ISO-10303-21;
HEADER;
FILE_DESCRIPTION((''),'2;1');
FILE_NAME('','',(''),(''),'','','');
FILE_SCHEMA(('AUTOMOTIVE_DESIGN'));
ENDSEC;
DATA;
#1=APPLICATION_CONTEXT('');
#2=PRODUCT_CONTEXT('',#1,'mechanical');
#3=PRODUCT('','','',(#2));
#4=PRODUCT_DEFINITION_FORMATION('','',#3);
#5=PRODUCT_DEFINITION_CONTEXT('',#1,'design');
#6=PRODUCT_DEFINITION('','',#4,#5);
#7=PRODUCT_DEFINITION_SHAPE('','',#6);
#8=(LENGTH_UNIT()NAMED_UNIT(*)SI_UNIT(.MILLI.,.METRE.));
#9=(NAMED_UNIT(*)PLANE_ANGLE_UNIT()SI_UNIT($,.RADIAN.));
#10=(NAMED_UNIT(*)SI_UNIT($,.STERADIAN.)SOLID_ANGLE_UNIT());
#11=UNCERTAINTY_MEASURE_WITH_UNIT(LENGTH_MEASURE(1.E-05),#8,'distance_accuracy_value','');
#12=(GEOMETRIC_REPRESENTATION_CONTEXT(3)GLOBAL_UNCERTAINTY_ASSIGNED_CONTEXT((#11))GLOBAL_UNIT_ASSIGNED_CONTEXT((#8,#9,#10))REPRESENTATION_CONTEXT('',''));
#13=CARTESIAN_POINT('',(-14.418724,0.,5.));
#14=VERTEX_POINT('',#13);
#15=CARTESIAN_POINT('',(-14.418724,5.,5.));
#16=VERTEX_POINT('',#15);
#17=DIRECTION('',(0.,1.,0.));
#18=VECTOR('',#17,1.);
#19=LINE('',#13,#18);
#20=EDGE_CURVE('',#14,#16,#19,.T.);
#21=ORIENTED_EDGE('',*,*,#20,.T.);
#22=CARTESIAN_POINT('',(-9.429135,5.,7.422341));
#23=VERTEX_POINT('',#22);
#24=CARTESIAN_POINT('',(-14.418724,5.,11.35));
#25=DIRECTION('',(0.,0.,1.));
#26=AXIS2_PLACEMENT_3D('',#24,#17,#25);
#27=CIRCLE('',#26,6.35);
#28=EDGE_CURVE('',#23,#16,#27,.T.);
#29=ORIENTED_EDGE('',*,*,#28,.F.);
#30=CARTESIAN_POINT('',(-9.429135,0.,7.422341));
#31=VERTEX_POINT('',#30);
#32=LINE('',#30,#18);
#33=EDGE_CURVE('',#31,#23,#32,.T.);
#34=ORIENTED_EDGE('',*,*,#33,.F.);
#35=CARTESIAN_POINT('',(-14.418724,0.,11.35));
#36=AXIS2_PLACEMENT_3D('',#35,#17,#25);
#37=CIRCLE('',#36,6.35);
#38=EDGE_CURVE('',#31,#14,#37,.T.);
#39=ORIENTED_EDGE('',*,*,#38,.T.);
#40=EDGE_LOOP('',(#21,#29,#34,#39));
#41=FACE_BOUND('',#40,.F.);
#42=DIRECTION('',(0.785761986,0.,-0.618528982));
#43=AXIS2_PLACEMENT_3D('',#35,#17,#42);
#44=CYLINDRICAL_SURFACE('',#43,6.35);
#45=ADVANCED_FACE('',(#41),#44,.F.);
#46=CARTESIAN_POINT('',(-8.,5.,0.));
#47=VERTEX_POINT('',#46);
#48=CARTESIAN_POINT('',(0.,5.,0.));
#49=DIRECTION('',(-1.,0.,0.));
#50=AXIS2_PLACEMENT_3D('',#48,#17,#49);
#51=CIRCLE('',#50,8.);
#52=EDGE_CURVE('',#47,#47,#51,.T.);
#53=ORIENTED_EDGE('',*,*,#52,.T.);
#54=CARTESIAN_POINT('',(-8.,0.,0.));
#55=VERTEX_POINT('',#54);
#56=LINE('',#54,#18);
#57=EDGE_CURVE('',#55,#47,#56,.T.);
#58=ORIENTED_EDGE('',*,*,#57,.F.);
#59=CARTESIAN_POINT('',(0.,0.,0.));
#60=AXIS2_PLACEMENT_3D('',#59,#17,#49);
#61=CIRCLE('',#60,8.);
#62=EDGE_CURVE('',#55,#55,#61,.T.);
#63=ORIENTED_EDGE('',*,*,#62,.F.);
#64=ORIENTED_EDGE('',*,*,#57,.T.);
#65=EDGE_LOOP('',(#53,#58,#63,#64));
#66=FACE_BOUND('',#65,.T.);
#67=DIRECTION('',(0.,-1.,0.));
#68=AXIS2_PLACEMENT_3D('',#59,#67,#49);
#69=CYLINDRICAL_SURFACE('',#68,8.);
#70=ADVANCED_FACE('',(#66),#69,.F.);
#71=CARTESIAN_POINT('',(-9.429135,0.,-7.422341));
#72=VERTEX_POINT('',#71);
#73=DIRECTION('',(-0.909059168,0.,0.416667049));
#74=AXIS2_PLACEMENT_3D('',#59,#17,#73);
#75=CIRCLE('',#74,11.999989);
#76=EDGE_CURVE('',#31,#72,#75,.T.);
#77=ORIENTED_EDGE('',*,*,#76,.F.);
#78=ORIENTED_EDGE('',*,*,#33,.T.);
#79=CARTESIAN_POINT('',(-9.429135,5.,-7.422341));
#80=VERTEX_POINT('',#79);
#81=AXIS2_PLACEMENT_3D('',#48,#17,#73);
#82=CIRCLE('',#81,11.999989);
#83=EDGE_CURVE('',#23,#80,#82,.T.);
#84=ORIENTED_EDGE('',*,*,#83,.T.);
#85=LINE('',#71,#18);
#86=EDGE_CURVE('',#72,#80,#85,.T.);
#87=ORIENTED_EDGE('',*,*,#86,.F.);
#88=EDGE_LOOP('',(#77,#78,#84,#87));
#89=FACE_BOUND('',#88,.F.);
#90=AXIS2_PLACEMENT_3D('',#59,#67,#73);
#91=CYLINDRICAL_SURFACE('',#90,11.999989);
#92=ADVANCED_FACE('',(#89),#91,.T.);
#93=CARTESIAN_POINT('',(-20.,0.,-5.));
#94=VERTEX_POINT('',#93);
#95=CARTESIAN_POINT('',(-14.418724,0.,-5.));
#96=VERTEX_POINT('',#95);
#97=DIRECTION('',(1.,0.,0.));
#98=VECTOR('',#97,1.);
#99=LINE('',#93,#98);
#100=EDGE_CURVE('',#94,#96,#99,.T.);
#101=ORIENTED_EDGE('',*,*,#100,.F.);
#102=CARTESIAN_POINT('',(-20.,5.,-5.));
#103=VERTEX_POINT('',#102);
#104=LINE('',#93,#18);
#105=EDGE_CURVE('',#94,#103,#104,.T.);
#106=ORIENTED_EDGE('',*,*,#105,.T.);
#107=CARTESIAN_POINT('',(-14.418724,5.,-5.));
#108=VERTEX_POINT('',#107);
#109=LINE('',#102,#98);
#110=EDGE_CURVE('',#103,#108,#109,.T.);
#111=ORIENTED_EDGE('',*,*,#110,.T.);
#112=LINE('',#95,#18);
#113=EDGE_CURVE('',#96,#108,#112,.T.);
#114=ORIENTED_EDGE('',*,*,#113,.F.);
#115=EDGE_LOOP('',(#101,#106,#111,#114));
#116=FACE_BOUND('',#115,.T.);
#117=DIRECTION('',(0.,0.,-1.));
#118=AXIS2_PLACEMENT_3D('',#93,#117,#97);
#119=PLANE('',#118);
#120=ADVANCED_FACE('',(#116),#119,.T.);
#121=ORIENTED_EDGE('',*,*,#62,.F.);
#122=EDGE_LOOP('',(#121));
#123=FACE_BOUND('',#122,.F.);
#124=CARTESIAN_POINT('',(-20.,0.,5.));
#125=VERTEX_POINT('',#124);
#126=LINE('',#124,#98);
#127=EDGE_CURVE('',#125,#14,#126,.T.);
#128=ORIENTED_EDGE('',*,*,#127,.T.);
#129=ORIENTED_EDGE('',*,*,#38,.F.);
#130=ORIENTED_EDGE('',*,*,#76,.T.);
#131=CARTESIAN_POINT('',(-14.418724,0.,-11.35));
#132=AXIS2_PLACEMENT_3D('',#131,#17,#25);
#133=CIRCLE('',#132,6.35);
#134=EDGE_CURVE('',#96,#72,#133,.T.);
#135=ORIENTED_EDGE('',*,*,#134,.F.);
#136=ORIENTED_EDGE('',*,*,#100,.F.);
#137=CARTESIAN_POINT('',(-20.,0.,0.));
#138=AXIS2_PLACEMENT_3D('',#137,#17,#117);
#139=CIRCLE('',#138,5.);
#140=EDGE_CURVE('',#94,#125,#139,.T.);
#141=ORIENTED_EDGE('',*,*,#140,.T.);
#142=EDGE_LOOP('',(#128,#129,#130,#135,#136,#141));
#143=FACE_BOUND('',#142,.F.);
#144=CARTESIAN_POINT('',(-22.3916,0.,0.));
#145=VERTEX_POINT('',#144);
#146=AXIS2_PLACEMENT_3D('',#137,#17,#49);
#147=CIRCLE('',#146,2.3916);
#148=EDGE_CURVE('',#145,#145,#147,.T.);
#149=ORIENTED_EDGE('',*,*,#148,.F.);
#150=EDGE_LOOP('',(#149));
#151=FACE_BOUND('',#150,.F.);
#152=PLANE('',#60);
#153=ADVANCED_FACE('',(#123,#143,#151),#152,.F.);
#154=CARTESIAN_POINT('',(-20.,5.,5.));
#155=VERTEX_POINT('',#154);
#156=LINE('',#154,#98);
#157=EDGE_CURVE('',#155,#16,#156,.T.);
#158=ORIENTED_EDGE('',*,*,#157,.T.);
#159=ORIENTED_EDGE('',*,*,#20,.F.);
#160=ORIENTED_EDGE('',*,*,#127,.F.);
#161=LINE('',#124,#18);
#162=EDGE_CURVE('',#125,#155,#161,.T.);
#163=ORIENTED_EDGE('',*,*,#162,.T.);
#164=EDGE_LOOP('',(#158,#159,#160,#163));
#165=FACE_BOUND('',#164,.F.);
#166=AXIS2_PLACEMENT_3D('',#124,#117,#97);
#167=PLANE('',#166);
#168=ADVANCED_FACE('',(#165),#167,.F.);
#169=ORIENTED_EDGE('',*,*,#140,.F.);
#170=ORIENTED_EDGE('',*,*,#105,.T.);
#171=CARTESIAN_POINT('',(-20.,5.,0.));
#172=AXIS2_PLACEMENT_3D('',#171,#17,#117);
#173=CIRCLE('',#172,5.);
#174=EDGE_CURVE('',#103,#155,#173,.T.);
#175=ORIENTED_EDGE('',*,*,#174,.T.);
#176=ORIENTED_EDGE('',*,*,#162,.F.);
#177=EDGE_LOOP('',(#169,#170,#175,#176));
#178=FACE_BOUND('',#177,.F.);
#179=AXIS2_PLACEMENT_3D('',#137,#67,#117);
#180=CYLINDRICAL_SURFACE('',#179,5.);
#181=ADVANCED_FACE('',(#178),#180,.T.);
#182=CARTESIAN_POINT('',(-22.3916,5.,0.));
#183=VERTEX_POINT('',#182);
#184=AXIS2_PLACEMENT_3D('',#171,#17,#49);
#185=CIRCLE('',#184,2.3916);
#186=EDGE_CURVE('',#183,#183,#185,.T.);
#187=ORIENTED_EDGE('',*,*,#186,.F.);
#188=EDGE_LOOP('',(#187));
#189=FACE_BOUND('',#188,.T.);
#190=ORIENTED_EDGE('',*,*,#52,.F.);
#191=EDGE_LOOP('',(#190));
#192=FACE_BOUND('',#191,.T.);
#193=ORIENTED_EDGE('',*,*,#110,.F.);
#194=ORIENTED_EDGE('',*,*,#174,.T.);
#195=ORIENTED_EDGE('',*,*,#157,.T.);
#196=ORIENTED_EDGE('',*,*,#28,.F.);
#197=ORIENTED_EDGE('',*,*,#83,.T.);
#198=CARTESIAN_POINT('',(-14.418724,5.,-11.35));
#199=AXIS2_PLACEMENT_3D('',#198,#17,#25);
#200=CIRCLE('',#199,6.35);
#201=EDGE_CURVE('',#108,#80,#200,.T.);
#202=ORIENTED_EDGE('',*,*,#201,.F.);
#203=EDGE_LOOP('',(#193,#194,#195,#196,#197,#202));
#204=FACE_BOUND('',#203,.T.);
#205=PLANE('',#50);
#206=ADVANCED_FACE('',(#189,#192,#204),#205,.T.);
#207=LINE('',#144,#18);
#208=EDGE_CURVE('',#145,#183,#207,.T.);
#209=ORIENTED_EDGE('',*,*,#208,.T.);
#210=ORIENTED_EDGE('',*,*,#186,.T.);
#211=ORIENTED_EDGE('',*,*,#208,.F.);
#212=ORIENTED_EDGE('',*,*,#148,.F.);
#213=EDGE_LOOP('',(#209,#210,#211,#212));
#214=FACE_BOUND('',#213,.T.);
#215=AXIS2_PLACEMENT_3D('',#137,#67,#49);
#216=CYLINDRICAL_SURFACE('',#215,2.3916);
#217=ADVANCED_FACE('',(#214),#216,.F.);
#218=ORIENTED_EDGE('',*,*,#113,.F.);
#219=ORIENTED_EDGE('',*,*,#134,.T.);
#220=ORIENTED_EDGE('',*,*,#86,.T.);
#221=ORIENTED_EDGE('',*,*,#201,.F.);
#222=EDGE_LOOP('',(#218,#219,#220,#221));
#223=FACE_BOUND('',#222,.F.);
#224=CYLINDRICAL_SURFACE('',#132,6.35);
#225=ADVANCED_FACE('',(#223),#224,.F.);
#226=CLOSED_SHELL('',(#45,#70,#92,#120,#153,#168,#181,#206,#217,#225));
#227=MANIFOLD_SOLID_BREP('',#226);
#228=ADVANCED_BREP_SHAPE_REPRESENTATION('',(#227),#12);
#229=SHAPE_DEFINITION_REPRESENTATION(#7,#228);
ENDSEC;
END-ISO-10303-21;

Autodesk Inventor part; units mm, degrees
ref_plane "YZ Plane" through (0, 0, 0) normal (1, 0, 0) x (0, 1, 0)
ref_plane "XZ Plane" through (0, 0, 0) normal (0, 1, 0) x (-1, 0, 0)
ref_plane "XY Plane" through (0, 0, 0) normal (0, 0, 1) x (1, 0, 0)
sketch "Sketch1" plane through (0, 0, 0) normal (0, 1, 0) x (-1, 0, 0)
  circle A0 centre (0, 0) radius 8
  line L0 (0, 0) -> (20, 0) construction
  arc A1 (20, -5) -> (20, 5) centre (20, 0) ccw
  line L1 (20, -5) -> (10.9087, -5)
  arc A2 (10.9087, 5) -> (10.9087, -5) centre (0, 0) ccw
  line L2 (20, 5) -> (10.9087, 5)
  circle A3 centre (20, 0) radius 2.3916
  circle A4 centre (0, -2.25) radius 3.175
  point P0 (10.9087, -5)
  point P1 (10.9087, 5)
  dimension "d0" = 16
  dimension "d1" = 20
  dimension "d2" = 24
  dimension "d4" = 10
  dimension "d5" = 6.35
  dimension "d6" = 2.25
extrude "Extrusion1" add sketch "Sketch1" along normal blind 5 contours L1 A2 L2 A1
fillet "Fillet1" radius 6.35 2 edges at (-10.9087, 2.5, -5) (-10.9087, 2.5, 5)
properties part number "Capper Gate Linkage"
